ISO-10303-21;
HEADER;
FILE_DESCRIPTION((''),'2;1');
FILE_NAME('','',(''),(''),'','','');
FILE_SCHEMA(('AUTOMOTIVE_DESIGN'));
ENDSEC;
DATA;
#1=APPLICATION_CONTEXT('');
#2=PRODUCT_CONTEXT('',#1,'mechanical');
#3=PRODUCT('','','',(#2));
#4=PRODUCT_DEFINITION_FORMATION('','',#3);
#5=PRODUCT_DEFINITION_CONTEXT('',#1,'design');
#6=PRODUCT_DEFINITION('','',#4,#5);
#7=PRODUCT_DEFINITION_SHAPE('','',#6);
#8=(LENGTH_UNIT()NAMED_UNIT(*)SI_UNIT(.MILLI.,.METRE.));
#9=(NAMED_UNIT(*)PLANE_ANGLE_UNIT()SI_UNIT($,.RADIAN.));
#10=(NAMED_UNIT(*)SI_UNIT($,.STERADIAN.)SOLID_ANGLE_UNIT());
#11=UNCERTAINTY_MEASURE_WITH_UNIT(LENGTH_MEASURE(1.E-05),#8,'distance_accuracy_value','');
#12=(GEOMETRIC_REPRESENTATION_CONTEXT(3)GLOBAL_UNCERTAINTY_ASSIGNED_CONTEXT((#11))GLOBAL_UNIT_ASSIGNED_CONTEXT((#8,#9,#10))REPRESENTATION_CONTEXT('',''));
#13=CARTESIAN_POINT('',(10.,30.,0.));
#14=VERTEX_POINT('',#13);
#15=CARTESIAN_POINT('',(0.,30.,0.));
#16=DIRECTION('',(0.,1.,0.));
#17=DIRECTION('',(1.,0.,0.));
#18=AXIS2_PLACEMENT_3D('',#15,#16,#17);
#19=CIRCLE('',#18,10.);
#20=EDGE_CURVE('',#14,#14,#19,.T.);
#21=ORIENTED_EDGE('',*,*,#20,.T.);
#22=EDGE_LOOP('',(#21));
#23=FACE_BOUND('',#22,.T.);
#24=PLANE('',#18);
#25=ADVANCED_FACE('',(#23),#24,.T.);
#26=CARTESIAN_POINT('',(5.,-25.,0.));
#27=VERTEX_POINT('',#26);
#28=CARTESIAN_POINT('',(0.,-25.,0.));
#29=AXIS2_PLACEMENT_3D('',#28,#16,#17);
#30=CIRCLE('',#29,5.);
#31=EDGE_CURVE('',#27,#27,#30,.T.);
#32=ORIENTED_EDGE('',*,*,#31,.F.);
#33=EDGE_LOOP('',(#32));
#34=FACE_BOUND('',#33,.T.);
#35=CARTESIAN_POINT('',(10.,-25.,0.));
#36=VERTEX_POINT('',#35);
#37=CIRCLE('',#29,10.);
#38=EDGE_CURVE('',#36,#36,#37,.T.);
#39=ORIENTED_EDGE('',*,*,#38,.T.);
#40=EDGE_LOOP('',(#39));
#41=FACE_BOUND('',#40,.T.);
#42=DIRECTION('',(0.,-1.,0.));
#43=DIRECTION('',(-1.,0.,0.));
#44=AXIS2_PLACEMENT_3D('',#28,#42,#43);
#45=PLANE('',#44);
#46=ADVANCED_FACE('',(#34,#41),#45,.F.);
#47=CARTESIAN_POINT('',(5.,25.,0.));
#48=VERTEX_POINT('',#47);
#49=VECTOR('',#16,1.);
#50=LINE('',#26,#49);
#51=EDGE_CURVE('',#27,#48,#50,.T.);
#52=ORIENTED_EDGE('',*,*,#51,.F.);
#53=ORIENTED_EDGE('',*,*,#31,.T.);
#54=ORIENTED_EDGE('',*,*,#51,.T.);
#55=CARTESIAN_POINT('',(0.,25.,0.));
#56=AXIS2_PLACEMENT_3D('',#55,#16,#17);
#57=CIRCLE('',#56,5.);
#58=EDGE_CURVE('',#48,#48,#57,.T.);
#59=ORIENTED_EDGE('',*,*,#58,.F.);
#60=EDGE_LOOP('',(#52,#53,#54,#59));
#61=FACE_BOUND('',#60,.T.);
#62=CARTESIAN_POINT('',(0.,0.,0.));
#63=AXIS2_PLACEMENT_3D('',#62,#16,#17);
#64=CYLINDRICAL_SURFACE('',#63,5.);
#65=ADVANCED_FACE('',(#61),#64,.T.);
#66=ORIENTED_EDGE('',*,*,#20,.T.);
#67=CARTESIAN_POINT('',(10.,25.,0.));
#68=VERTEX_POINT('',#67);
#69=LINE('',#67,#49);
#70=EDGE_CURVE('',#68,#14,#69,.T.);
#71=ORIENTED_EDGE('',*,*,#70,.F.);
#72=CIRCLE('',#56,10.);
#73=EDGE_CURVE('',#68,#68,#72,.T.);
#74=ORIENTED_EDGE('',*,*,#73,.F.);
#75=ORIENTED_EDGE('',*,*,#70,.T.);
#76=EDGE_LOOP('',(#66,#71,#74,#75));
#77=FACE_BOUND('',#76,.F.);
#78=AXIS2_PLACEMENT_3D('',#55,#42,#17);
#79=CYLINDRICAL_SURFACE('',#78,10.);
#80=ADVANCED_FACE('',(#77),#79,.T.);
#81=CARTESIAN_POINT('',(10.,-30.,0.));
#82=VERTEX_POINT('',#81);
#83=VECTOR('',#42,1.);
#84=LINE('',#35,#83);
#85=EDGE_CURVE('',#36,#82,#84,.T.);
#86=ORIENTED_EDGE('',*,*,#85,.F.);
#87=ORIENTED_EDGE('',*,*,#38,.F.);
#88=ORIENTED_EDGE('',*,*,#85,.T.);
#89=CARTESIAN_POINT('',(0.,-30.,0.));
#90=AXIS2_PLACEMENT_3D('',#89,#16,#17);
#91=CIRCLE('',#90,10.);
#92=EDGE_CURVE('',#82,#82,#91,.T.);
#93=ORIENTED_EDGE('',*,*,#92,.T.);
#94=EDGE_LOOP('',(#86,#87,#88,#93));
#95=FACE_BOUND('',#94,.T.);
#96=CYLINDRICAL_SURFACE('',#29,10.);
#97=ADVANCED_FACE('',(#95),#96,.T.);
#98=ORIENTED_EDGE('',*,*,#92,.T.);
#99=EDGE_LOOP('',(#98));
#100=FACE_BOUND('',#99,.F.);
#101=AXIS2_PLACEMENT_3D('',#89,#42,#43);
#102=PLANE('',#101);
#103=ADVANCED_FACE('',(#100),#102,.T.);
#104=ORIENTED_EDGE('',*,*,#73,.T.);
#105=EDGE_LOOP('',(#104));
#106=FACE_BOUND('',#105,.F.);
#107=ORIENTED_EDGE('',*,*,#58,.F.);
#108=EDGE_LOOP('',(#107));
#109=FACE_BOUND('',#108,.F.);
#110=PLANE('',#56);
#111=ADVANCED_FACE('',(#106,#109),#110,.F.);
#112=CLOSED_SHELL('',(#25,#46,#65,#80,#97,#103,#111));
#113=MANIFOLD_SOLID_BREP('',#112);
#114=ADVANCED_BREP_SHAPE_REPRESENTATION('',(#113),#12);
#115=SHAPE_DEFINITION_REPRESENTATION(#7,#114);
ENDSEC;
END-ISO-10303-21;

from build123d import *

# Parameters (mm, degrees)
SKETCH1_R           = 5
BOSS_EXTRUDE1_DEPTH = 25
SKETCH2_R           = 10
BOSS_EXTRUDE2_DEPTH = 5


with BuildPart() as part:
    # Sketch1 → Boss-Extrude1 (new body, symmetric)
    with BuildSketch(Plane(origin=(0, 0, 0), x_dir=(1, 0, 0), z_dir=(0, 1, 0))):
        Circle(SKETCH1_R)
    extrude(amount=BOSS_EXTRUDE1_DEPTH, both=True)

    # Sketch2 → Boss-Extrude2 (add)
    with BuildSketch(Plane(origin=(0, 25, 0), x_dir=(1, 0, 0), z_dir=(0, 1, 0))):
        Circle(SKETCH2_R)
    boss_extrude2 = extrude(amount=BOSS_EXTRUDE2_DEPTH)

    # Mirror1: Boss-Extrude2 across plane
    add(boss_extrude2.mirror(Plane.ZX))


solid = part.part
